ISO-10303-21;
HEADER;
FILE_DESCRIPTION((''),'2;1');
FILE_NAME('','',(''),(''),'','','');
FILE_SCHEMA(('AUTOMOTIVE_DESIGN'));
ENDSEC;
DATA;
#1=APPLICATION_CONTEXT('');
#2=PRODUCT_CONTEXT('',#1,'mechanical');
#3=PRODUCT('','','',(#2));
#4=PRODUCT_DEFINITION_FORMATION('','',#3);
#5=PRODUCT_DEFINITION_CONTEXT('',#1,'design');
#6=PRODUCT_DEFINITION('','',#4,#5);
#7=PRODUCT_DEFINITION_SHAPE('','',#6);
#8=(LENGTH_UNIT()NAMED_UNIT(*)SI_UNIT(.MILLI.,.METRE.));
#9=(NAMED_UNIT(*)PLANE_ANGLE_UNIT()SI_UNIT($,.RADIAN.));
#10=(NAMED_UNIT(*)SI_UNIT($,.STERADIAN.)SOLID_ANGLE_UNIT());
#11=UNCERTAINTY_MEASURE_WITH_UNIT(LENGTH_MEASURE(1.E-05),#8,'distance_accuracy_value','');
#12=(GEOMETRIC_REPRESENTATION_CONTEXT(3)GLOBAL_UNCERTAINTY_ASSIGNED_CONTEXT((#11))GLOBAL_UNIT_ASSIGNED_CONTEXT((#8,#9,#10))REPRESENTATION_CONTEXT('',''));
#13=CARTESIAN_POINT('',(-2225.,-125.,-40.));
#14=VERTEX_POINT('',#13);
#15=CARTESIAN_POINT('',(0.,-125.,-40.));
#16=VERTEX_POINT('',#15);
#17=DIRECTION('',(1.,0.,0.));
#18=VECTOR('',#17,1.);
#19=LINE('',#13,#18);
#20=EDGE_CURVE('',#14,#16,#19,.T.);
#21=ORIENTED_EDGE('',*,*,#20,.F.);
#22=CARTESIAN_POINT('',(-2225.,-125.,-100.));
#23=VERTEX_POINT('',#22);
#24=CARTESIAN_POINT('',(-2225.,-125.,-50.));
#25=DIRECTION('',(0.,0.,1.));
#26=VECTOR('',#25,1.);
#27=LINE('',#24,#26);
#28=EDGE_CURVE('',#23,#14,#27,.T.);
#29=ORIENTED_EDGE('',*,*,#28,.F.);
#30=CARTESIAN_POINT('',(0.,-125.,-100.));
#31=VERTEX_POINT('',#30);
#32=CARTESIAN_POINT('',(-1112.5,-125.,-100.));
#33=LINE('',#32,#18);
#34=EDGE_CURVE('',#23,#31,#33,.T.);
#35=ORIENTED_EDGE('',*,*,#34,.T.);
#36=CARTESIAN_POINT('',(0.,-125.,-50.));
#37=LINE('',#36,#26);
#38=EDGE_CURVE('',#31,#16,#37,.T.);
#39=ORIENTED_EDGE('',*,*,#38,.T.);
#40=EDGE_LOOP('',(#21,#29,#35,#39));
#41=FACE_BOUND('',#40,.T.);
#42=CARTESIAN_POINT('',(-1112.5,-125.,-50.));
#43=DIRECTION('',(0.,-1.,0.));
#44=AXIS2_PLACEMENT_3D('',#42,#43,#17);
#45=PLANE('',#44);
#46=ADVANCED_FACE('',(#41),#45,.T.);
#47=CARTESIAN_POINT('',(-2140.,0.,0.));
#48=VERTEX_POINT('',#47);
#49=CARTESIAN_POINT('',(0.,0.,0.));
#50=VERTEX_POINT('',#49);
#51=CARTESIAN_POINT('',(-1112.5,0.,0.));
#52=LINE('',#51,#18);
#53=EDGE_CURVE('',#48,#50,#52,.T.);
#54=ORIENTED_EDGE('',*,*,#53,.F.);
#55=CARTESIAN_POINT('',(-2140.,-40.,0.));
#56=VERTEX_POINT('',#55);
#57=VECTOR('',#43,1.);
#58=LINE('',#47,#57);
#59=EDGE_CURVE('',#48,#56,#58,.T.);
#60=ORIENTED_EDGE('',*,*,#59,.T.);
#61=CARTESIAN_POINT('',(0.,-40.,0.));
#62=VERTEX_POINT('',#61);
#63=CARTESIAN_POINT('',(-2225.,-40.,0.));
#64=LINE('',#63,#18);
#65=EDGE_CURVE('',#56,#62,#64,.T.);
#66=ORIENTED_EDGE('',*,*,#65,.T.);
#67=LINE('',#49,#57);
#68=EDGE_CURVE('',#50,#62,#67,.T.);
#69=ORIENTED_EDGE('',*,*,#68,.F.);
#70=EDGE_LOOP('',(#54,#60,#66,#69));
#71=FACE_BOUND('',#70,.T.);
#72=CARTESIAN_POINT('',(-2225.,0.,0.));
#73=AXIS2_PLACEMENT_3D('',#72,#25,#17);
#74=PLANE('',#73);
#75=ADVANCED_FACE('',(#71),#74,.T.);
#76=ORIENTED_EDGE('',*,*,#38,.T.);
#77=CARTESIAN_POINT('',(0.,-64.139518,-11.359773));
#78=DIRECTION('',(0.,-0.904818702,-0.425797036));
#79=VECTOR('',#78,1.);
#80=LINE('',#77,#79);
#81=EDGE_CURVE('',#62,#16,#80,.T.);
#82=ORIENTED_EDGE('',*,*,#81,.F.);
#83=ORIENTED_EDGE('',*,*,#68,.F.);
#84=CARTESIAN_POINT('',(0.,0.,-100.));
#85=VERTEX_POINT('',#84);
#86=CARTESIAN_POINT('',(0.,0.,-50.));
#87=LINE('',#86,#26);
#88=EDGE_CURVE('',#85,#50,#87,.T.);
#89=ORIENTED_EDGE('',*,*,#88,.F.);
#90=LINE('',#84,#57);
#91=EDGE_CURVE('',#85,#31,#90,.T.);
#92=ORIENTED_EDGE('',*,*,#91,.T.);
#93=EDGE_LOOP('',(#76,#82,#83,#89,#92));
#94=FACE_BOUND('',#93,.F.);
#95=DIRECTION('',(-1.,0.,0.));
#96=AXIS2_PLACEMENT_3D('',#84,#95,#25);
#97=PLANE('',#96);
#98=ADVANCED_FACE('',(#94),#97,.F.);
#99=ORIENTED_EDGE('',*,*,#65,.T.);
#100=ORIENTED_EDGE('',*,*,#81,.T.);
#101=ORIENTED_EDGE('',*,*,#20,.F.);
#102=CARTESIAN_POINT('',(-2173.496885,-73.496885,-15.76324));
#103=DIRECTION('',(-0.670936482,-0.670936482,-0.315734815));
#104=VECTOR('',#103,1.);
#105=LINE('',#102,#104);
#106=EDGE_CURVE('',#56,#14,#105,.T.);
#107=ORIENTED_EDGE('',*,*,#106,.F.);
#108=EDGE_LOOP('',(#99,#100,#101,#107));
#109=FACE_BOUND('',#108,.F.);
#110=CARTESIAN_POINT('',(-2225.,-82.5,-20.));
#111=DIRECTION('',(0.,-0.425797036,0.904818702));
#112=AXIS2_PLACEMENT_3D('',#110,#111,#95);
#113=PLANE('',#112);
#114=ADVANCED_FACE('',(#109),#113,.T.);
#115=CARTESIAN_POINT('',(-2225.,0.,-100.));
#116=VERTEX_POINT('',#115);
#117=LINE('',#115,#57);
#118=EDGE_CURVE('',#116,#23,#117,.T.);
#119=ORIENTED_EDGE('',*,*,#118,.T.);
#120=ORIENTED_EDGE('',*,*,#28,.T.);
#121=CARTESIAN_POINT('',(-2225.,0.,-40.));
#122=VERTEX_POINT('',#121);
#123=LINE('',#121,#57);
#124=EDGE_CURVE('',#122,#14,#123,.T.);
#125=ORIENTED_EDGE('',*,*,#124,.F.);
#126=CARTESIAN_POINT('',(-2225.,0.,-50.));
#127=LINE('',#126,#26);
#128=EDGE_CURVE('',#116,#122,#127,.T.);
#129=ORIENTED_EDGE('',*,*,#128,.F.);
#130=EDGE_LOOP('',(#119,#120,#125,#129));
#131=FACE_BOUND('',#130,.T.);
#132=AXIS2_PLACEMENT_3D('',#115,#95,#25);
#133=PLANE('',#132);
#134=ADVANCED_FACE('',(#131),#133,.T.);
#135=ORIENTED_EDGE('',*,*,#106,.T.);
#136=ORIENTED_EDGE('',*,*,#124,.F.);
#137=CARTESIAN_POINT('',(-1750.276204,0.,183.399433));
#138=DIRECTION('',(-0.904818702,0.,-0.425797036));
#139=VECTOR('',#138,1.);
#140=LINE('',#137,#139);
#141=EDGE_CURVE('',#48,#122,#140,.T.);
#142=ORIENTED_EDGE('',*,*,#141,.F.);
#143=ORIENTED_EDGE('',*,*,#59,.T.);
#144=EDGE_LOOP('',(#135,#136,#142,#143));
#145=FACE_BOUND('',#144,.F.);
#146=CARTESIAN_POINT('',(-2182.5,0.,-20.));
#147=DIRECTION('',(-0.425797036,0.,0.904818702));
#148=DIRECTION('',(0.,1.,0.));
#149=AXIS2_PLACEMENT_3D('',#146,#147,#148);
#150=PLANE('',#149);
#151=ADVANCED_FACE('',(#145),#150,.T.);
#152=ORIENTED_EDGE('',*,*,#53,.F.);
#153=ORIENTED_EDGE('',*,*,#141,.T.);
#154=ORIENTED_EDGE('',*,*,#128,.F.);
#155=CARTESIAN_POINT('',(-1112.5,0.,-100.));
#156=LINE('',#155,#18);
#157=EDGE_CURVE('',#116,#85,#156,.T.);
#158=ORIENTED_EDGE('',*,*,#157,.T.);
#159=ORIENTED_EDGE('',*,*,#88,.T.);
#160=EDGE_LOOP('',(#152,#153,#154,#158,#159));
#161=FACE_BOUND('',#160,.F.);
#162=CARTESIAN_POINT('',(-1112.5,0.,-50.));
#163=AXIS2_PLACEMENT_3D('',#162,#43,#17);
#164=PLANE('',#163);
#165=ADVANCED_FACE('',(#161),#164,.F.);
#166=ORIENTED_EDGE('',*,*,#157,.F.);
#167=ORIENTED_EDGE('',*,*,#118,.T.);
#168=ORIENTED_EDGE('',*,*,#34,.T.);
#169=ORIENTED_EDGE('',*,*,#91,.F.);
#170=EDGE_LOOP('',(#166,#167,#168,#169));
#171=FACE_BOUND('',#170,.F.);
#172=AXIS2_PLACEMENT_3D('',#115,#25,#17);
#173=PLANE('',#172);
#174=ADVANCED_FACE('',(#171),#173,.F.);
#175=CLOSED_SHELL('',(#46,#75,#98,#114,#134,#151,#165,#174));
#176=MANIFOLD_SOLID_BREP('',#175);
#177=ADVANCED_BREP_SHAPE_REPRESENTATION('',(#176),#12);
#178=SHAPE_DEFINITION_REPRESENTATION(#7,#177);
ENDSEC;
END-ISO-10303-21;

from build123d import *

# Parameters (mm, degrees)
F0_W     = 2225
F0_H     = 100
F1_DEPTH = 125
F2_SIZE2 = 40
F2_SIZE  = 85


with BuildPart() as f1:
    # F0 (on Front) → F1 (new body)
    with BuildSketch(Plane.XZ):
        with Locations((-1112.5, -50)):
            Rectangle(F0_W, F0_H)
    extrude(amount=F1_DEPTH)

    # F2
    f2_edges = [f1.edges().sort_by_distance(p)[0] for p in [
        (-1112.5, -125, 0),
        (-2225, -62.5, 0),
    ]]
    f2_side = f1.faces().sort_by_distance((-1112.5, -62.5, 0))[0]
    chamfer(f2_edges, length=F2_SIZE, length2=F2_SIZE2, reference=f2_side)


solid = f1.part
